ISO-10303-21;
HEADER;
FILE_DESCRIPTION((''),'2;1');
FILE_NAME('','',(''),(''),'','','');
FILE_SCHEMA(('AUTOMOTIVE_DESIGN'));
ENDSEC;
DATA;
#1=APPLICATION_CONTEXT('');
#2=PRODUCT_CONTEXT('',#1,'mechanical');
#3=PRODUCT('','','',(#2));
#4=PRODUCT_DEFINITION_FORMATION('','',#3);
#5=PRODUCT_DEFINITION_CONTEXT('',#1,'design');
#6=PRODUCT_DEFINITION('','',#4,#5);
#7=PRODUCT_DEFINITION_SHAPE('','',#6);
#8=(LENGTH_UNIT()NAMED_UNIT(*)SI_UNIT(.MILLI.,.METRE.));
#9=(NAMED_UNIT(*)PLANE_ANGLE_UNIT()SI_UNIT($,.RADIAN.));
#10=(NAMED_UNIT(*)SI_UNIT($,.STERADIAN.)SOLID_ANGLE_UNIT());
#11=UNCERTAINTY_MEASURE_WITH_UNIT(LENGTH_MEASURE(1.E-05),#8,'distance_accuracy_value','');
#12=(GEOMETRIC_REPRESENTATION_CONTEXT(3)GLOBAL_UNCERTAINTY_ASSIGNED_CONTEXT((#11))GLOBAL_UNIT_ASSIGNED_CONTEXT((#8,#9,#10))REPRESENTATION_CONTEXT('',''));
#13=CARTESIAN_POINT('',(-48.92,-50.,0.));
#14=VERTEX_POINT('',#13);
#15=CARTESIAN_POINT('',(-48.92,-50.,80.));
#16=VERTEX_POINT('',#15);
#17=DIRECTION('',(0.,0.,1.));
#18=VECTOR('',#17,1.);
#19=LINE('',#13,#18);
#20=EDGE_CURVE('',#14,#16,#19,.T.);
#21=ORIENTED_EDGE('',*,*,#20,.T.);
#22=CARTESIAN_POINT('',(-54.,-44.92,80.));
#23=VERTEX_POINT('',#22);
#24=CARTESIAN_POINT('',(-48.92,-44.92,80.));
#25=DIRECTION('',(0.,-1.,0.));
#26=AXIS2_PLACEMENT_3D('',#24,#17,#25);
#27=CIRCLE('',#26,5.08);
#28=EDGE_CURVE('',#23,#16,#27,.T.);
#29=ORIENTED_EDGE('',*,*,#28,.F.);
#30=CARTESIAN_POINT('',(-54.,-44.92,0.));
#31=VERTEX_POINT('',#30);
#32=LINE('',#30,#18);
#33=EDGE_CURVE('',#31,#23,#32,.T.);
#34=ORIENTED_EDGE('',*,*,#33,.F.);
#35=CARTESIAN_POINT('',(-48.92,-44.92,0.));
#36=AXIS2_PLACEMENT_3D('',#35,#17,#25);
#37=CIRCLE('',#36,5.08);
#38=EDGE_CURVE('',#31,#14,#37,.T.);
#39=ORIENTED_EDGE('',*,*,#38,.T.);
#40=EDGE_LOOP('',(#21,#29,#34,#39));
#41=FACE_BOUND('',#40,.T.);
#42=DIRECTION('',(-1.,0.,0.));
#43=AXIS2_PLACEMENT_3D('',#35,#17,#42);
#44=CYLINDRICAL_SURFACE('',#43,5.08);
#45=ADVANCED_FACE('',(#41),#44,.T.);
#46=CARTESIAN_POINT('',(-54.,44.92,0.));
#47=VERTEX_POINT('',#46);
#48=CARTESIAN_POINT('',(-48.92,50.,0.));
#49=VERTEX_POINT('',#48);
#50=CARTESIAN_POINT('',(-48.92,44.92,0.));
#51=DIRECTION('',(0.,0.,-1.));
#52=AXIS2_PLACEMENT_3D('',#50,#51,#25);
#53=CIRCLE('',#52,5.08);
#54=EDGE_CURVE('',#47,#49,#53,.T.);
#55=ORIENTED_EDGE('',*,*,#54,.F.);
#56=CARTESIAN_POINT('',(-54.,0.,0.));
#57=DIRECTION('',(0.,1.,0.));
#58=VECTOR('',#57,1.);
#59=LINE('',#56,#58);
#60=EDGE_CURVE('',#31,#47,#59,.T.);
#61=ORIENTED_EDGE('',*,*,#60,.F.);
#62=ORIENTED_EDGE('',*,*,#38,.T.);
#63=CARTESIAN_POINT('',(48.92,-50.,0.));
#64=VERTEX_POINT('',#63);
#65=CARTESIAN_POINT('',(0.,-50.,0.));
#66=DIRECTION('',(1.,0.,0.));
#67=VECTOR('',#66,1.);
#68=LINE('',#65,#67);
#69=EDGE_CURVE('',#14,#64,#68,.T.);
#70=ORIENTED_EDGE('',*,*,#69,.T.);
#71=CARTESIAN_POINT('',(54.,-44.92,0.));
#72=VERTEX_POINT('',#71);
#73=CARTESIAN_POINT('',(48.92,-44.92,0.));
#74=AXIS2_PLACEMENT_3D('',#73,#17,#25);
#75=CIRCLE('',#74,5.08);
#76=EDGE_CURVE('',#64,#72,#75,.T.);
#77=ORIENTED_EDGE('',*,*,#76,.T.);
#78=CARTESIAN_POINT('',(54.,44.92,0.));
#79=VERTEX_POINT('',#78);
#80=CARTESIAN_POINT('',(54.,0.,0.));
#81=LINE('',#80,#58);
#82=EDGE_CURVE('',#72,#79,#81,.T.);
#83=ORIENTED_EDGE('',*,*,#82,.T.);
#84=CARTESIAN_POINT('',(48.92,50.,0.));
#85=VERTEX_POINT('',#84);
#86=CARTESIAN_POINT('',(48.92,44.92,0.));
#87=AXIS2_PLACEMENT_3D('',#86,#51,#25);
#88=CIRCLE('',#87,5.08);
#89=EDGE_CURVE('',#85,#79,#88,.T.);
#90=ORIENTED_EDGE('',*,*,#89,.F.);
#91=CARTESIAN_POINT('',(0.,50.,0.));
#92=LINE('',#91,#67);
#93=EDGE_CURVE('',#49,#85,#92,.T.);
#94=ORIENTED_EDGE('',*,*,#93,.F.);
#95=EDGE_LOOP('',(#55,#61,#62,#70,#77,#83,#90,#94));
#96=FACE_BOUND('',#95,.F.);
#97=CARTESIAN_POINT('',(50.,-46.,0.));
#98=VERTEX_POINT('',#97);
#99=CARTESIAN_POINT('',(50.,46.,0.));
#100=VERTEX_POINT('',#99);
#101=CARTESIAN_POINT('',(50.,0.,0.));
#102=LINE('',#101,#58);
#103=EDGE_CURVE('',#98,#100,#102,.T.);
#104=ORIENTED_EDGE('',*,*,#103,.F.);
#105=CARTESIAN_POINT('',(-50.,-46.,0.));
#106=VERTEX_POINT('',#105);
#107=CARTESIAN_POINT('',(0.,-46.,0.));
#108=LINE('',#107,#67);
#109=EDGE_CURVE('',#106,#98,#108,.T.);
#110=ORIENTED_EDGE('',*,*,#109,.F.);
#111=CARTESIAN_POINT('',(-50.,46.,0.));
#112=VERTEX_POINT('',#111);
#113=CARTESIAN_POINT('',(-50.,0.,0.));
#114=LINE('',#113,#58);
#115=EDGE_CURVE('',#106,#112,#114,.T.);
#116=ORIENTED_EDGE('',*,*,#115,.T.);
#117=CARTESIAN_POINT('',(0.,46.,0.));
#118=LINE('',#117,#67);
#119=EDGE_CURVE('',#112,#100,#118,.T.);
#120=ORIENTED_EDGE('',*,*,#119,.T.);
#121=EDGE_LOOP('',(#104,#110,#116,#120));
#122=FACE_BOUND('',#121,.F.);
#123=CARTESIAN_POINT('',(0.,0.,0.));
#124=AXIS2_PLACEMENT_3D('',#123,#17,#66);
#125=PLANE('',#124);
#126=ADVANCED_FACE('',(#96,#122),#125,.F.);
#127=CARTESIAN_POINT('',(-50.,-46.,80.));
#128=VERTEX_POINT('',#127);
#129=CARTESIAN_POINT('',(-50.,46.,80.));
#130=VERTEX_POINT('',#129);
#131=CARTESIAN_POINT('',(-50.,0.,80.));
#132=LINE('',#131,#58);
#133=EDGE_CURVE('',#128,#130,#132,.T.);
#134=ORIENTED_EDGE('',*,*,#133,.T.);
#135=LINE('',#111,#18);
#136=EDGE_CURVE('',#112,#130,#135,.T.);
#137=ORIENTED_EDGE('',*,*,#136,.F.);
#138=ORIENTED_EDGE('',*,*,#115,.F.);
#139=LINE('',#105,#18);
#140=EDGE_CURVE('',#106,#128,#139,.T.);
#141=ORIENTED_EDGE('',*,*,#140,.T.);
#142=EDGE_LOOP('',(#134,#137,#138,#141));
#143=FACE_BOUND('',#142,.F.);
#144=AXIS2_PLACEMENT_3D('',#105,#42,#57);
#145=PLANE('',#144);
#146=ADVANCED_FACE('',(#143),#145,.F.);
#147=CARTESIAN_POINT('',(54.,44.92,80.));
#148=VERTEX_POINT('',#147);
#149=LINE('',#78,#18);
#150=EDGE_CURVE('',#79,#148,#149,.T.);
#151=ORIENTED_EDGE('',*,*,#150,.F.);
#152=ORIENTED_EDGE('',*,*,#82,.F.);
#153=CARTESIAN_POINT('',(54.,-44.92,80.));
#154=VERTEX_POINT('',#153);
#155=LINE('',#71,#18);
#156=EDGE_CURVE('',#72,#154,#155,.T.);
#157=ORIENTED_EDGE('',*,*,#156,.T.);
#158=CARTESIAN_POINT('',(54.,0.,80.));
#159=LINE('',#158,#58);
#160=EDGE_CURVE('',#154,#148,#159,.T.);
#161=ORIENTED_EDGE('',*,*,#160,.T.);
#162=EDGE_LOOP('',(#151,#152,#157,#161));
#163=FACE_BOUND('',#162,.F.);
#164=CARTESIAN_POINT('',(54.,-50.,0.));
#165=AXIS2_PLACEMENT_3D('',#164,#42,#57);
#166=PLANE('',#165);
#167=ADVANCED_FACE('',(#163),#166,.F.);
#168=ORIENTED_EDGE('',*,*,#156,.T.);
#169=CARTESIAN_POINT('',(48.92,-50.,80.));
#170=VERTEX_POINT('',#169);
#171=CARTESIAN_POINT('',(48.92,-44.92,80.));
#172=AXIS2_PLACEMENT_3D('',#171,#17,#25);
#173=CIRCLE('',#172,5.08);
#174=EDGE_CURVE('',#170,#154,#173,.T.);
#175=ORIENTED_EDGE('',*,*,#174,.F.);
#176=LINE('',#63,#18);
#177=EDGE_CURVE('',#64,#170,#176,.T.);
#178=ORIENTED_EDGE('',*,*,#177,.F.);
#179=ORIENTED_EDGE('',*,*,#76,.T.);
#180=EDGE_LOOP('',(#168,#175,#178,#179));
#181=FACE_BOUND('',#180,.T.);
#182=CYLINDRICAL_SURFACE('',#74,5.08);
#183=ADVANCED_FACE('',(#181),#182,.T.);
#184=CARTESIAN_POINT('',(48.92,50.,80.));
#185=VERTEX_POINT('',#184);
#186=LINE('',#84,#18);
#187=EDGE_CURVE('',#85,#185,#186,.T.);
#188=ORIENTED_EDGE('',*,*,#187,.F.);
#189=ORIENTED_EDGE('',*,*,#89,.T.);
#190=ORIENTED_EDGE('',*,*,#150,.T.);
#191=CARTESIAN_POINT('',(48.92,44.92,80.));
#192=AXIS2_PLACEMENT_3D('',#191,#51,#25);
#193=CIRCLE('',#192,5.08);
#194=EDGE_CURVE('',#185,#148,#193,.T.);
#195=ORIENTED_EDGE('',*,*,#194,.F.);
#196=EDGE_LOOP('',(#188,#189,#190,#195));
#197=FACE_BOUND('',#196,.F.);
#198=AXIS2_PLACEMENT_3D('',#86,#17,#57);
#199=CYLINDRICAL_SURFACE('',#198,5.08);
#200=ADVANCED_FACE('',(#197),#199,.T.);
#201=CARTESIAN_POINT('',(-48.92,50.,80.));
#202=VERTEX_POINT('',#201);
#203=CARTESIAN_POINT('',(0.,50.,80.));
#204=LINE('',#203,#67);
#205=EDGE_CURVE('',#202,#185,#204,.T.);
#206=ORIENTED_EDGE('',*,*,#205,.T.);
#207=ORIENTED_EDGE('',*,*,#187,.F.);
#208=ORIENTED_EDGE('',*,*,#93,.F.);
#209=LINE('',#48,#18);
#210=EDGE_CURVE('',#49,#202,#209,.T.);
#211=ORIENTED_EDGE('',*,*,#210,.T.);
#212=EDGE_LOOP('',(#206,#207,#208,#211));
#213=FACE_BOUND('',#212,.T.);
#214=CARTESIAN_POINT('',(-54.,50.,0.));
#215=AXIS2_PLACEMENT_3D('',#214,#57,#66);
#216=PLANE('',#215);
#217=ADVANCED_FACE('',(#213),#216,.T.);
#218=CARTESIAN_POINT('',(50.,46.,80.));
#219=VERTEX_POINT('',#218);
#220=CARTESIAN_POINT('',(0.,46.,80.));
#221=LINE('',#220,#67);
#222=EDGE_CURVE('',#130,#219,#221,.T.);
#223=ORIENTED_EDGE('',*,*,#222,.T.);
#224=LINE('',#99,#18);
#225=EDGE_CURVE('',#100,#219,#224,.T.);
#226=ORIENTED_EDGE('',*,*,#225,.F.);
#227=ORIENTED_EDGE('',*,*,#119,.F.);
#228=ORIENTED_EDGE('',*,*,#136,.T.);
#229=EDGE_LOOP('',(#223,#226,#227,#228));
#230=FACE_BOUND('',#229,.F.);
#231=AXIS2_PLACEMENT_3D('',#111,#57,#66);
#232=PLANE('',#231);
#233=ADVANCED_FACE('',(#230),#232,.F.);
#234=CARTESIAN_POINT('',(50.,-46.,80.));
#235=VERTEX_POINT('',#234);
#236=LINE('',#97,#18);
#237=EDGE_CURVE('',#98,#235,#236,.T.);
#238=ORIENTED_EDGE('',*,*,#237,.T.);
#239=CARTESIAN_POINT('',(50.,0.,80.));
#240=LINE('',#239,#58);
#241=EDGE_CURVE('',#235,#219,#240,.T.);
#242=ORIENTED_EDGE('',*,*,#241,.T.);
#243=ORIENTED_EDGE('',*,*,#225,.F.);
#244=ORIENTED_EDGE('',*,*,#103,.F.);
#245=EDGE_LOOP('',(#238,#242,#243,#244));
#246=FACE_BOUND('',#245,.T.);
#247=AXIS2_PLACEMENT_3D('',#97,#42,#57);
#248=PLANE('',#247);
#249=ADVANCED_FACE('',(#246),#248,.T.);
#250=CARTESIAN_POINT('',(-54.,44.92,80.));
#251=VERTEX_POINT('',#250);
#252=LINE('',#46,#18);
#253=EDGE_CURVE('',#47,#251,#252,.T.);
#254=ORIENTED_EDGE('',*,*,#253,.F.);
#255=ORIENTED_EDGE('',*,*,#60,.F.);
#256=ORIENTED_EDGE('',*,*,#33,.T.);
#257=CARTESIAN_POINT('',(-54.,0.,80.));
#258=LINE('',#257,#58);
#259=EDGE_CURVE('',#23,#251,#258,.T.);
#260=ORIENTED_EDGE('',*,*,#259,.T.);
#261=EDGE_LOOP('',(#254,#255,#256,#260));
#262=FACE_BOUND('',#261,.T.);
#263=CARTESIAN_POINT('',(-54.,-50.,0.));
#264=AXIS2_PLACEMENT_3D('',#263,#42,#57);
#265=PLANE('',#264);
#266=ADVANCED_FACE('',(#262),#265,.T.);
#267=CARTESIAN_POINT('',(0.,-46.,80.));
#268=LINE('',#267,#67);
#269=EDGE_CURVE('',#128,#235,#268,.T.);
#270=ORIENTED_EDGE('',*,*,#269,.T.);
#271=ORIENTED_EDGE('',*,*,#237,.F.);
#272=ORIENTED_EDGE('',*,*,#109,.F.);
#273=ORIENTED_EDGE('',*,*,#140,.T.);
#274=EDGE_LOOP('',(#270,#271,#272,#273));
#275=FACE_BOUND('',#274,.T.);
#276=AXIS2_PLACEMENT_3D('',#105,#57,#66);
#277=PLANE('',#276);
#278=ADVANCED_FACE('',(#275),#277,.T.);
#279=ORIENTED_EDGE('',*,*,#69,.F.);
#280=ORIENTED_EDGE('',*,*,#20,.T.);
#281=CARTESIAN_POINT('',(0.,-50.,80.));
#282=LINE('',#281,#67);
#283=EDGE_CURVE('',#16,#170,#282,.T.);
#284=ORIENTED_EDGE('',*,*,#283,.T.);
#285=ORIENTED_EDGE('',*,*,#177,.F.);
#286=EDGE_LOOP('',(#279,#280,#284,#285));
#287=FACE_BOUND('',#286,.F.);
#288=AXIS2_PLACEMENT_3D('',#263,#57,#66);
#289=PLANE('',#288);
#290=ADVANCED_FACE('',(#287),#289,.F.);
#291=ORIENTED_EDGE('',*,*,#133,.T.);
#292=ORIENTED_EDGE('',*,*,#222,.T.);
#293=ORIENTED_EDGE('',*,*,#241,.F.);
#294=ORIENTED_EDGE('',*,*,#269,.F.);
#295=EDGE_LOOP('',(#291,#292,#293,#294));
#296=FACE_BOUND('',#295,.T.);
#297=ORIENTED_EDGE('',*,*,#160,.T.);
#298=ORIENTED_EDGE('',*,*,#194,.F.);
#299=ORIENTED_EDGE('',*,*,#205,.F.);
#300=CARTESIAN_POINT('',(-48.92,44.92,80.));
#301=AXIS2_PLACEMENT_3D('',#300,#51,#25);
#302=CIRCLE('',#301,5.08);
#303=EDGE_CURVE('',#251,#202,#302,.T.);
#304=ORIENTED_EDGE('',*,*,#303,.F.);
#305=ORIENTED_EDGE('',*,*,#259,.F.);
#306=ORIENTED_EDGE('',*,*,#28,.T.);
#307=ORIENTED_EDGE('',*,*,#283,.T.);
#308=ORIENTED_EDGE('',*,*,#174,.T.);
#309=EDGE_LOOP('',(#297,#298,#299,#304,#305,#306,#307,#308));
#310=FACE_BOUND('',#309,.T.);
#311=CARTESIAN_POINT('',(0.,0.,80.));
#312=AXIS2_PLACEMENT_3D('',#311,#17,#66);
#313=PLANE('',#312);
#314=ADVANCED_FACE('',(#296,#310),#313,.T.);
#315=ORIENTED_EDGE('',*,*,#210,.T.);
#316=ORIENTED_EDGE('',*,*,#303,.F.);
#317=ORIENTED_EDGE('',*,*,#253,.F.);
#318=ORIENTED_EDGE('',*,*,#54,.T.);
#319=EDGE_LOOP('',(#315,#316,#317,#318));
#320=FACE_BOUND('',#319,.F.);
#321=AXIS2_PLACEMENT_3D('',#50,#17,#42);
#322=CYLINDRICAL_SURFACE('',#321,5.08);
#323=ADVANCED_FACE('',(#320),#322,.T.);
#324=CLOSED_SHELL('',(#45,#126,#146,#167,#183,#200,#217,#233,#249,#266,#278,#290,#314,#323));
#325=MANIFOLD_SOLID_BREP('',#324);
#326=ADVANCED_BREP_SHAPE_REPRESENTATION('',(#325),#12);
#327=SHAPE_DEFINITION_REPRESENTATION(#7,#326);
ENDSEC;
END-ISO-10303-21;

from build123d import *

# Parameters (mm, degrees)
F0_W     = 108
F0_H     = 100
F0_W_2   = 100
F0_H_2   = 92
F1_DEPTH = 80
F2_R     = 5.08
F3_R     = 5.08


with BuildPart() as f1:
    # F0 (on Top) → F1 (new body)
    with BuildSketch(Plane.XY):
        Rectangle(F0_W, F0_H)
        Rectangle(F0_W_2, F0_H_2, mode=Mode.SUBTRACT)
    extrude(amount=F1_DEPTH)

    # F2
    f2_edges = [f1.edges().sort_by_distance(p)[0] for p in [
        (-54, -50, 40),
    ]]
    fillet(f2_edges, radius=F2_R)

    # F3
    f3_edges = [f1.edges().sort_by_distance(p)[0] for p in [
        (54, -50, 40),
        (54, 50, 40),
        (-54, 50, 40),
    ]]
    fillet(f3_edges, radius=F3_R)


solid = f1.part
